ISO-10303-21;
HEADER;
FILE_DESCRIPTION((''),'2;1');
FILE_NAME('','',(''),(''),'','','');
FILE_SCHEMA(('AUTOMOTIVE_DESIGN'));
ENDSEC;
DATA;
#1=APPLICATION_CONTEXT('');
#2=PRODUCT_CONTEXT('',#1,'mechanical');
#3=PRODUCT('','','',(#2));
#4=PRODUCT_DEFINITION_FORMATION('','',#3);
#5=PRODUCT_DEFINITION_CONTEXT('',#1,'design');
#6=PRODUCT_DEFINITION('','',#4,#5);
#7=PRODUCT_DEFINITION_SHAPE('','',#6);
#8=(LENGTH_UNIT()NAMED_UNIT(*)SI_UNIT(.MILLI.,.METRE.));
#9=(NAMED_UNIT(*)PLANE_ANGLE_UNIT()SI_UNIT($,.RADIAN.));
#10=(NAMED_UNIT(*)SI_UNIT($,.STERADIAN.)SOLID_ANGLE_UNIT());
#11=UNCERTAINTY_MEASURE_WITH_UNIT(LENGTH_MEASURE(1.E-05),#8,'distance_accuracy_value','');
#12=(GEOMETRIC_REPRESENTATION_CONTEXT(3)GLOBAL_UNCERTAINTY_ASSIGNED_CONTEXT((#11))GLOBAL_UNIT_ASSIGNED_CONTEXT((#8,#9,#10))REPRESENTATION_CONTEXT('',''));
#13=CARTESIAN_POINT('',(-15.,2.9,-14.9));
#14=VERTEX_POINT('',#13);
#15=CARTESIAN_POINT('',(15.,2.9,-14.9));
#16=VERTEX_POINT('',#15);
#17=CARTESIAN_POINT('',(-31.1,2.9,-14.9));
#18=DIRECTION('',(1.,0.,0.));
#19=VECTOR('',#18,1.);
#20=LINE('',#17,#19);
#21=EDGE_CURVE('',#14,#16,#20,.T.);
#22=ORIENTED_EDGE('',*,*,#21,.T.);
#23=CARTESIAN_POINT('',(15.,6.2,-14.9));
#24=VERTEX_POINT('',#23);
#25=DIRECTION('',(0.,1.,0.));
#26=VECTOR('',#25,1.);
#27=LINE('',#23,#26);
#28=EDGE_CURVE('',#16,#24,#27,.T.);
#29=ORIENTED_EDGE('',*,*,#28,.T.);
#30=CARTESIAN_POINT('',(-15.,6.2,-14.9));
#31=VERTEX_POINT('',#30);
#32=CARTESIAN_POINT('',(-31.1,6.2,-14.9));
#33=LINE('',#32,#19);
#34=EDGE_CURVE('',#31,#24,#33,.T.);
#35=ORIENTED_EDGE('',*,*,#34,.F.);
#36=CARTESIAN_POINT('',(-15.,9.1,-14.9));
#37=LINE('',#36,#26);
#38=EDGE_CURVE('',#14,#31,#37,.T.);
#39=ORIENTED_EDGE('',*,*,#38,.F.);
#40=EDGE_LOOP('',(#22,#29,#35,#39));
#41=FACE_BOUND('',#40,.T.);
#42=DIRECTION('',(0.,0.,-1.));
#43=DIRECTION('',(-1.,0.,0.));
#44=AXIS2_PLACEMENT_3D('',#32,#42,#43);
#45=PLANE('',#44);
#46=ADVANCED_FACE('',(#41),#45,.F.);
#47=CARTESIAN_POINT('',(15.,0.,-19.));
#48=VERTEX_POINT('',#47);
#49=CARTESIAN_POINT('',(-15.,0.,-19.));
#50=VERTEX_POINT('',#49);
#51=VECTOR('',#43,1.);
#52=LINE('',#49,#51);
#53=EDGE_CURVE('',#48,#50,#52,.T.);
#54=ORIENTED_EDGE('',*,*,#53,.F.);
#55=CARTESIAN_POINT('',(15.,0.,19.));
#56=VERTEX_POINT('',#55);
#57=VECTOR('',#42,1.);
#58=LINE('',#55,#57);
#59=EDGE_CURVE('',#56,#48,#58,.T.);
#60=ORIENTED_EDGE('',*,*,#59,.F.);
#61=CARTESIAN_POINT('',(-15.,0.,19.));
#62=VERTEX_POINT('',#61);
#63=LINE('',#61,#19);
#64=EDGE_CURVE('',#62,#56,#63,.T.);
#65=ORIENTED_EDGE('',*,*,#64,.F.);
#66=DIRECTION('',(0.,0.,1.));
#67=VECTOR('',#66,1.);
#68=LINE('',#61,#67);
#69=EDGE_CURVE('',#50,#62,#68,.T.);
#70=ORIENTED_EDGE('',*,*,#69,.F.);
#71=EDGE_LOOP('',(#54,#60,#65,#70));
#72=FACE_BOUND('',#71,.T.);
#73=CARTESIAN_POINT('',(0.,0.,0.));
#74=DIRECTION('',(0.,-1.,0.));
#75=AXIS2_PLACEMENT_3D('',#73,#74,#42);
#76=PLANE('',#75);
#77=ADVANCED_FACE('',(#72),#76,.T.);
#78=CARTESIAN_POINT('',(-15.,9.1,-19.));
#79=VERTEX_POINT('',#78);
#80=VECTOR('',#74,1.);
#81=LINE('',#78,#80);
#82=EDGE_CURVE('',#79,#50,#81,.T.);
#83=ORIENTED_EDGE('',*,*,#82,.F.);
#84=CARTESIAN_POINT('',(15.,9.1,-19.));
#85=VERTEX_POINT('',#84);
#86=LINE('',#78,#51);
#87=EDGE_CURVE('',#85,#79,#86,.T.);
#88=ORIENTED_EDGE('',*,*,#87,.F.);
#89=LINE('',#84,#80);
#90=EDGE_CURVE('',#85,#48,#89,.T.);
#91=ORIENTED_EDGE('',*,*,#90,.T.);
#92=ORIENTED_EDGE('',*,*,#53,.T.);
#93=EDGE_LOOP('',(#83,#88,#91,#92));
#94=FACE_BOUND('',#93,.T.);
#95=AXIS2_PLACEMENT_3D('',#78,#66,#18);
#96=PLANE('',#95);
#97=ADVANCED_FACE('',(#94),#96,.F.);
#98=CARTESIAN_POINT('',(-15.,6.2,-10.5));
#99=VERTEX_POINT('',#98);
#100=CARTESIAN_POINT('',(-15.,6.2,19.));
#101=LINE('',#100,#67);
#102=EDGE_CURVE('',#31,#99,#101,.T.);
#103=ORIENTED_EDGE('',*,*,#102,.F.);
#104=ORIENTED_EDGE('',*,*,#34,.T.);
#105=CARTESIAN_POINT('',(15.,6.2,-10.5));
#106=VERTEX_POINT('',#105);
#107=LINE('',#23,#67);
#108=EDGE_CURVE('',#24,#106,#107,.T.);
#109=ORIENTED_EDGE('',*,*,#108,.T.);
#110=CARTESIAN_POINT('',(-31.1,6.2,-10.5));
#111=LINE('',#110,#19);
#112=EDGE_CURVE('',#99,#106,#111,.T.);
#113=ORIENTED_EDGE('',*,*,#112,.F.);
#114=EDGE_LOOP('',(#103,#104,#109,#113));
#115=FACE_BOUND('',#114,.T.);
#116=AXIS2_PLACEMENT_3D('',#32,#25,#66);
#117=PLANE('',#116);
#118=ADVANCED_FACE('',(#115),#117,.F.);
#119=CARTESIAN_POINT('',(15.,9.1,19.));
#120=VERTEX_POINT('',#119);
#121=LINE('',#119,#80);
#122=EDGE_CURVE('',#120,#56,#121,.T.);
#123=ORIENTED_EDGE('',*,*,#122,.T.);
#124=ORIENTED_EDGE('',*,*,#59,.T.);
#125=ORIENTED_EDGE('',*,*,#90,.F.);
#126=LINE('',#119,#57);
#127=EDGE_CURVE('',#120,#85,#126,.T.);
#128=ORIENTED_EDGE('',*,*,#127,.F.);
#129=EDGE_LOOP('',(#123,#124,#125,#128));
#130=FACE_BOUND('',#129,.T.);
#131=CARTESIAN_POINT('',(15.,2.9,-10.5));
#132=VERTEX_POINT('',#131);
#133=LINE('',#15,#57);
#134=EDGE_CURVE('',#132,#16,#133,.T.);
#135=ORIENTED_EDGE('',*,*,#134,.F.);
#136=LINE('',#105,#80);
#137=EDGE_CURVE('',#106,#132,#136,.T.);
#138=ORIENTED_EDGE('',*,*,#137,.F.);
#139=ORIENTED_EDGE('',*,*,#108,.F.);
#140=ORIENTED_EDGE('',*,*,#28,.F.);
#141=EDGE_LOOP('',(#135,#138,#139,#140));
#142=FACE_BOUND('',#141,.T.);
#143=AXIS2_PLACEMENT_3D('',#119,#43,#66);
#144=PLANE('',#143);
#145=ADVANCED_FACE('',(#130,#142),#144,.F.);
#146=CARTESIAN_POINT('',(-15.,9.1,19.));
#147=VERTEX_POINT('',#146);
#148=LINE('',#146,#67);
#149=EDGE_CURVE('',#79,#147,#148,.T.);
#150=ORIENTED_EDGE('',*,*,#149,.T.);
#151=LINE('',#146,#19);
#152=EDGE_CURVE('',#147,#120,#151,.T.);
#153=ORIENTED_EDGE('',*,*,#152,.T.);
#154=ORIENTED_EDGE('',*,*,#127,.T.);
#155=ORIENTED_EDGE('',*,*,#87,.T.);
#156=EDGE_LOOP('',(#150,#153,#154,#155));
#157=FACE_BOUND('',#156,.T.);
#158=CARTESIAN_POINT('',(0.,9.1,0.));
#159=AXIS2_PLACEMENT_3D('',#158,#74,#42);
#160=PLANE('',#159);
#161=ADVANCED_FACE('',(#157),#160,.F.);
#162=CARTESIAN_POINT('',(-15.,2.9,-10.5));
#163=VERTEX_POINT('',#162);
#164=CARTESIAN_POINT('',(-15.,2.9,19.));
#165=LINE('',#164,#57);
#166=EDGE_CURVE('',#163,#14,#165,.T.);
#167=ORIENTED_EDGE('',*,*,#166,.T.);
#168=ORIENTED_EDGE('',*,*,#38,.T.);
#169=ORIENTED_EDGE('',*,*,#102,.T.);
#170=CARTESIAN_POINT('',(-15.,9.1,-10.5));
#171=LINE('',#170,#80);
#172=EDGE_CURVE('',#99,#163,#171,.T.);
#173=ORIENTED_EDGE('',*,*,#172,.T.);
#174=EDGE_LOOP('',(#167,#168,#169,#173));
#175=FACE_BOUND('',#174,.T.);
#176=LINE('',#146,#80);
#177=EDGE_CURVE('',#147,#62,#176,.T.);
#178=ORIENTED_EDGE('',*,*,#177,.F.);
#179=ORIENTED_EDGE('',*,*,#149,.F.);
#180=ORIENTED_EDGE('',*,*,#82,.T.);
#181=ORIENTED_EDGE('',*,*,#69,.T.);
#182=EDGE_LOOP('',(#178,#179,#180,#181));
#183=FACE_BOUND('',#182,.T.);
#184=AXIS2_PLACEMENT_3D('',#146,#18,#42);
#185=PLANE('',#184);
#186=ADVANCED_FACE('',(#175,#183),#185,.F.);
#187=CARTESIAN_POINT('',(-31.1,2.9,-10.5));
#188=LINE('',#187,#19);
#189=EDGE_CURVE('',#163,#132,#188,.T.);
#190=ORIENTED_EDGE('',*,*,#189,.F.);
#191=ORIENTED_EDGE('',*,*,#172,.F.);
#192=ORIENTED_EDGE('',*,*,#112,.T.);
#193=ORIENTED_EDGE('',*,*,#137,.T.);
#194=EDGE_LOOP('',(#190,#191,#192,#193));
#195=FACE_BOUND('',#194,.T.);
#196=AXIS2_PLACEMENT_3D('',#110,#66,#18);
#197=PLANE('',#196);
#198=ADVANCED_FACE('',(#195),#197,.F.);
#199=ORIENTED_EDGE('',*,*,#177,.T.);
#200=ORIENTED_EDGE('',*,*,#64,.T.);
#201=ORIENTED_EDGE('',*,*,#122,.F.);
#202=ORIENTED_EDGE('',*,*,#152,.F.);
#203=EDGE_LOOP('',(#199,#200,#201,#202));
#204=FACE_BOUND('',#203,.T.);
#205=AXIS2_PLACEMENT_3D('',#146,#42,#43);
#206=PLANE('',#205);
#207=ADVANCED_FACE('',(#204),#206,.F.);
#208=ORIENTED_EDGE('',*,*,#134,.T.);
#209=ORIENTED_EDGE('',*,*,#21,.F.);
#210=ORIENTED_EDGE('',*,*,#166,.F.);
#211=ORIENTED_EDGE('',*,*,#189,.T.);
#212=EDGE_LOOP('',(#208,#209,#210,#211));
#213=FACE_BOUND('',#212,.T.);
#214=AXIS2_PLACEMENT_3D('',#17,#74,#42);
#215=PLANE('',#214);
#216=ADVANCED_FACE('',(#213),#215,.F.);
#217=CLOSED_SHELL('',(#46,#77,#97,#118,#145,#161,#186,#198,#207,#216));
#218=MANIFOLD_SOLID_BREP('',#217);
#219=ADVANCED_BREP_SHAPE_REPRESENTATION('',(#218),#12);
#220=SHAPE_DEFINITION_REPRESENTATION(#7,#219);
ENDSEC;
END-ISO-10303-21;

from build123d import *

# Parameters (mm, degrees)
SKETCH3_W           = 30
SKETCH3_H           = 38
BOSS_EXTRUDE1_DEPTH = 9.1
SKETCH4_W           = 4.4
SKETCH4_H           = 3.3
CUT_EXTRUDE1_DEPTH  = 46.1


with BuildPart() as part:
    # Sketch3 → Boss-Extrude1 (new body)
    with BuildSketch(Plane(origin=(0, 0, 0), x_dir=(1, 0, 0), z_dir=(0, 1, 0))):
        Rectangle(SKETCH3_W, SKETCH3_H)
    extrude(amount=BOSS_EXTRUDE1_DEPTH)

    # Sketch4 → Cut-Extrude1 (cut)
    with BuildSketch(Plane(origin=(15, 0, 0), x_dir=(0, 0, -1), z_dir=(1, 0, 0))):
        with Locations((12.7, 4.55)):
            Rectangle(SKETCH4_W, SKETCH4_H)
    extrude(amount=-CUT_EXTRUDE1_DEPTH, mode=Mode.SUBTRACT)


solid = part.part
